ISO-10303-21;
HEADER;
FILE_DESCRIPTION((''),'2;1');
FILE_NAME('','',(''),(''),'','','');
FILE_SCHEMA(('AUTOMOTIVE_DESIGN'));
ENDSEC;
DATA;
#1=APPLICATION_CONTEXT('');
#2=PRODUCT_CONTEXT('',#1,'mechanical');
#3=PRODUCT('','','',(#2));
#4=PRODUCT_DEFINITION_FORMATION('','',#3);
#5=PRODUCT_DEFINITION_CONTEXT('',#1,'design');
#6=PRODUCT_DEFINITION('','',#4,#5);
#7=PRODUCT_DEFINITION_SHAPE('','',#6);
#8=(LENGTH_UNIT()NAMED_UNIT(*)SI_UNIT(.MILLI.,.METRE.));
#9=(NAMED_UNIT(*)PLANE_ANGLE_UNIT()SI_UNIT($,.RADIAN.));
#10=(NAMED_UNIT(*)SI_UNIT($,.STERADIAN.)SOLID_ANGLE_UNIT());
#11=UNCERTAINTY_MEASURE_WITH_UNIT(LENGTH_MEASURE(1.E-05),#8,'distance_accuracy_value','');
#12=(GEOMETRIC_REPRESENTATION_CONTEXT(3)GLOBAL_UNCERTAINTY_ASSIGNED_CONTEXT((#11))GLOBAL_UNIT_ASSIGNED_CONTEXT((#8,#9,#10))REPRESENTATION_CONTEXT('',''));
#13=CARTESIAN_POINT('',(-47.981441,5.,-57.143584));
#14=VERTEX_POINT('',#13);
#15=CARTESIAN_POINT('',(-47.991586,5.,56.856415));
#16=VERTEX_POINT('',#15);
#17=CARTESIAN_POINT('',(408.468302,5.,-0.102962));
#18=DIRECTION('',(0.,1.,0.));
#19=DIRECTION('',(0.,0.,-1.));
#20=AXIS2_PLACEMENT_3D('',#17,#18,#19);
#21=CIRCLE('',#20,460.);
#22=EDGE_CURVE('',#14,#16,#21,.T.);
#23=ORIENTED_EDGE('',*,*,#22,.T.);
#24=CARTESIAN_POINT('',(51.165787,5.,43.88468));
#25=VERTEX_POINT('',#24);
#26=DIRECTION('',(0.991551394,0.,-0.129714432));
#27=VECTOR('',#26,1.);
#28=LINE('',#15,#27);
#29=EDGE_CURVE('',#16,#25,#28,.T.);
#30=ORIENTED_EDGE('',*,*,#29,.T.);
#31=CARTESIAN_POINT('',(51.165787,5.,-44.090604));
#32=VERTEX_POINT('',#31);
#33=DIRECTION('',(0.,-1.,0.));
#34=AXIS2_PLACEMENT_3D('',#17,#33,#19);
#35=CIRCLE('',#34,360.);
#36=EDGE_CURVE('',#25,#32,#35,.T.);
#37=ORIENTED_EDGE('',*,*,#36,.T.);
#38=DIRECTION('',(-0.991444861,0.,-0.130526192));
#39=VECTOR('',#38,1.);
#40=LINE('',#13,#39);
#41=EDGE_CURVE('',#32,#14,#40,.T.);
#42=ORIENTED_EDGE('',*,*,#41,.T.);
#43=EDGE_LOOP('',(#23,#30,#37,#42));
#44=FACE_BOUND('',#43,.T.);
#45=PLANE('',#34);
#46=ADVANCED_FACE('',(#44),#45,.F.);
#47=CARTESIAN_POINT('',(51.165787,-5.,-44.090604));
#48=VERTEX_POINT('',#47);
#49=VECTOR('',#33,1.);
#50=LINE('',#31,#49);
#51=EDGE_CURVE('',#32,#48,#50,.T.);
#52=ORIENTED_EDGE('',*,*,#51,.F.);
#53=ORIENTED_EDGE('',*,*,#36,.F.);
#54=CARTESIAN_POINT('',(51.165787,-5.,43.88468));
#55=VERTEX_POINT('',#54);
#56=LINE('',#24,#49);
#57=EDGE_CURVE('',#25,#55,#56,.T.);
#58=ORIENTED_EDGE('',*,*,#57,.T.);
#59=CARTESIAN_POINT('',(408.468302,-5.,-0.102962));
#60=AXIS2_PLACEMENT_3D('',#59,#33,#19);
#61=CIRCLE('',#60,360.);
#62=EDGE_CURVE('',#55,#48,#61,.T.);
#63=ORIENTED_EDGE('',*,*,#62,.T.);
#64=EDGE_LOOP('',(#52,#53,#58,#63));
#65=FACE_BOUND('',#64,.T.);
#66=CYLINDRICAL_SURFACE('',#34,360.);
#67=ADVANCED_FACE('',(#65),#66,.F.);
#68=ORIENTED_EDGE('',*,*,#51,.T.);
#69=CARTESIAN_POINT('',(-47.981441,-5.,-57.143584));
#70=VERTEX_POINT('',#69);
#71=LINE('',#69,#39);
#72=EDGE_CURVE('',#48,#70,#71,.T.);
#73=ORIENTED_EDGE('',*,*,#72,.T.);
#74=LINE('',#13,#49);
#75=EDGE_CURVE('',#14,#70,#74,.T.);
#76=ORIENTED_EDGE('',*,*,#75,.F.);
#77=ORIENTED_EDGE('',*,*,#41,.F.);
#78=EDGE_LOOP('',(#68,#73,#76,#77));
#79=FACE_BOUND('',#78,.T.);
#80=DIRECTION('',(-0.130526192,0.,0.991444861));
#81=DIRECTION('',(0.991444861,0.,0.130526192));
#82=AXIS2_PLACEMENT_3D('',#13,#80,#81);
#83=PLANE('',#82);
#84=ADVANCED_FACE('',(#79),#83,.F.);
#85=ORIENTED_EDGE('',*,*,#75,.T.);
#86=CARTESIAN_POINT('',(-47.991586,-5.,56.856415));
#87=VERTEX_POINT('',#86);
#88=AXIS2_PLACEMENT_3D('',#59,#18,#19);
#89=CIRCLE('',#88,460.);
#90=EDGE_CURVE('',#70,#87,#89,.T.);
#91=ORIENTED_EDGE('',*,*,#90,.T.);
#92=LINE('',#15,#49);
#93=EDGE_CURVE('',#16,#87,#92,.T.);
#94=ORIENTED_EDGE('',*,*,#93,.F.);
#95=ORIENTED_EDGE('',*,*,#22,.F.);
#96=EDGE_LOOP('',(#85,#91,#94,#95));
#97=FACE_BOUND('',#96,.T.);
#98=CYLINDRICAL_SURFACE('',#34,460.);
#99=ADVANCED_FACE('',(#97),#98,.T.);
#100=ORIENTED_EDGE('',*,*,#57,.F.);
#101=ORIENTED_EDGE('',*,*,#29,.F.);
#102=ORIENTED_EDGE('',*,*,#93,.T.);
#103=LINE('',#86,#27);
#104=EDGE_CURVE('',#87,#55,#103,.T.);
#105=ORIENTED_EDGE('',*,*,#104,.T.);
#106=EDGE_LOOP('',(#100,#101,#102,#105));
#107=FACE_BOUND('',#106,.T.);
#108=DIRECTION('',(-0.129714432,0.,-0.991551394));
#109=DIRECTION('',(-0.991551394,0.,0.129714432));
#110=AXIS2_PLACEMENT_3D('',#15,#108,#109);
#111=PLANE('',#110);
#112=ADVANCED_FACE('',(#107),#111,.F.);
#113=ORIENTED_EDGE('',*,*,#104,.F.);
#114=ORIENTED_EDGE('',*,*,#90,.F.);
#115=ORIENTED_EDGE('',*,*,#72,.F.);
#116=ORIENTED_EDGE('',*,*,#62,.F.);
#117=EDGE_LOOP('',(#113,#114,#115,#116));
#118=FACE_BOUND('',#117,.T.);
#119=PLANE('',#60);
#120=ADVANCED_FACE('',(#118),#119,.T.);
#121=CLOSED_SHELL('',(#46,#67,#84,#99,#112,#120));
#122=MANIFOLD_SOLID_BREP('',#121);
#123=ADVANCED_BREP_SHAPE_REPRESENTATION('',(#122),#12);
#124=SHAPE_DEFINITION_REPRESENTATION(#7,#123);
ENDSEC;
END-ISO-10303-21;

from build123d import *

# Parameters (mm, degrees)
BOSS_EXTRUDE1_DEPTH = 5


with BuildPart() as part:
    # Sketch1 → Boss-Extrude1 (new, symmetric)
    with BuildSketch(Plane(origin=(0, 0, 0), x_dir=(1, 0, 0), z_dir=(0, 1, 0))):
        with BuildLine():
            Line((-47.98144063, 57.143584296), (51.165786695, 44.090604189))
            ThreePointArc((51.165786695, 44.090604189), (48.468301866, 0.102962144), (51.165786695, -43.884679901))
            Line((51.165786695, -43.884679901), (-47.991586105, -56.856415253))
            ThreePointArc((-47.991586105, -56.856415253), (-51.531696313, 0.143900026), (-47.98144063, 57.143584296))
        make_face()
    extrude(amount=BOSS_EXTRUDE1_DEPTH, both=True)


solid = part.part
